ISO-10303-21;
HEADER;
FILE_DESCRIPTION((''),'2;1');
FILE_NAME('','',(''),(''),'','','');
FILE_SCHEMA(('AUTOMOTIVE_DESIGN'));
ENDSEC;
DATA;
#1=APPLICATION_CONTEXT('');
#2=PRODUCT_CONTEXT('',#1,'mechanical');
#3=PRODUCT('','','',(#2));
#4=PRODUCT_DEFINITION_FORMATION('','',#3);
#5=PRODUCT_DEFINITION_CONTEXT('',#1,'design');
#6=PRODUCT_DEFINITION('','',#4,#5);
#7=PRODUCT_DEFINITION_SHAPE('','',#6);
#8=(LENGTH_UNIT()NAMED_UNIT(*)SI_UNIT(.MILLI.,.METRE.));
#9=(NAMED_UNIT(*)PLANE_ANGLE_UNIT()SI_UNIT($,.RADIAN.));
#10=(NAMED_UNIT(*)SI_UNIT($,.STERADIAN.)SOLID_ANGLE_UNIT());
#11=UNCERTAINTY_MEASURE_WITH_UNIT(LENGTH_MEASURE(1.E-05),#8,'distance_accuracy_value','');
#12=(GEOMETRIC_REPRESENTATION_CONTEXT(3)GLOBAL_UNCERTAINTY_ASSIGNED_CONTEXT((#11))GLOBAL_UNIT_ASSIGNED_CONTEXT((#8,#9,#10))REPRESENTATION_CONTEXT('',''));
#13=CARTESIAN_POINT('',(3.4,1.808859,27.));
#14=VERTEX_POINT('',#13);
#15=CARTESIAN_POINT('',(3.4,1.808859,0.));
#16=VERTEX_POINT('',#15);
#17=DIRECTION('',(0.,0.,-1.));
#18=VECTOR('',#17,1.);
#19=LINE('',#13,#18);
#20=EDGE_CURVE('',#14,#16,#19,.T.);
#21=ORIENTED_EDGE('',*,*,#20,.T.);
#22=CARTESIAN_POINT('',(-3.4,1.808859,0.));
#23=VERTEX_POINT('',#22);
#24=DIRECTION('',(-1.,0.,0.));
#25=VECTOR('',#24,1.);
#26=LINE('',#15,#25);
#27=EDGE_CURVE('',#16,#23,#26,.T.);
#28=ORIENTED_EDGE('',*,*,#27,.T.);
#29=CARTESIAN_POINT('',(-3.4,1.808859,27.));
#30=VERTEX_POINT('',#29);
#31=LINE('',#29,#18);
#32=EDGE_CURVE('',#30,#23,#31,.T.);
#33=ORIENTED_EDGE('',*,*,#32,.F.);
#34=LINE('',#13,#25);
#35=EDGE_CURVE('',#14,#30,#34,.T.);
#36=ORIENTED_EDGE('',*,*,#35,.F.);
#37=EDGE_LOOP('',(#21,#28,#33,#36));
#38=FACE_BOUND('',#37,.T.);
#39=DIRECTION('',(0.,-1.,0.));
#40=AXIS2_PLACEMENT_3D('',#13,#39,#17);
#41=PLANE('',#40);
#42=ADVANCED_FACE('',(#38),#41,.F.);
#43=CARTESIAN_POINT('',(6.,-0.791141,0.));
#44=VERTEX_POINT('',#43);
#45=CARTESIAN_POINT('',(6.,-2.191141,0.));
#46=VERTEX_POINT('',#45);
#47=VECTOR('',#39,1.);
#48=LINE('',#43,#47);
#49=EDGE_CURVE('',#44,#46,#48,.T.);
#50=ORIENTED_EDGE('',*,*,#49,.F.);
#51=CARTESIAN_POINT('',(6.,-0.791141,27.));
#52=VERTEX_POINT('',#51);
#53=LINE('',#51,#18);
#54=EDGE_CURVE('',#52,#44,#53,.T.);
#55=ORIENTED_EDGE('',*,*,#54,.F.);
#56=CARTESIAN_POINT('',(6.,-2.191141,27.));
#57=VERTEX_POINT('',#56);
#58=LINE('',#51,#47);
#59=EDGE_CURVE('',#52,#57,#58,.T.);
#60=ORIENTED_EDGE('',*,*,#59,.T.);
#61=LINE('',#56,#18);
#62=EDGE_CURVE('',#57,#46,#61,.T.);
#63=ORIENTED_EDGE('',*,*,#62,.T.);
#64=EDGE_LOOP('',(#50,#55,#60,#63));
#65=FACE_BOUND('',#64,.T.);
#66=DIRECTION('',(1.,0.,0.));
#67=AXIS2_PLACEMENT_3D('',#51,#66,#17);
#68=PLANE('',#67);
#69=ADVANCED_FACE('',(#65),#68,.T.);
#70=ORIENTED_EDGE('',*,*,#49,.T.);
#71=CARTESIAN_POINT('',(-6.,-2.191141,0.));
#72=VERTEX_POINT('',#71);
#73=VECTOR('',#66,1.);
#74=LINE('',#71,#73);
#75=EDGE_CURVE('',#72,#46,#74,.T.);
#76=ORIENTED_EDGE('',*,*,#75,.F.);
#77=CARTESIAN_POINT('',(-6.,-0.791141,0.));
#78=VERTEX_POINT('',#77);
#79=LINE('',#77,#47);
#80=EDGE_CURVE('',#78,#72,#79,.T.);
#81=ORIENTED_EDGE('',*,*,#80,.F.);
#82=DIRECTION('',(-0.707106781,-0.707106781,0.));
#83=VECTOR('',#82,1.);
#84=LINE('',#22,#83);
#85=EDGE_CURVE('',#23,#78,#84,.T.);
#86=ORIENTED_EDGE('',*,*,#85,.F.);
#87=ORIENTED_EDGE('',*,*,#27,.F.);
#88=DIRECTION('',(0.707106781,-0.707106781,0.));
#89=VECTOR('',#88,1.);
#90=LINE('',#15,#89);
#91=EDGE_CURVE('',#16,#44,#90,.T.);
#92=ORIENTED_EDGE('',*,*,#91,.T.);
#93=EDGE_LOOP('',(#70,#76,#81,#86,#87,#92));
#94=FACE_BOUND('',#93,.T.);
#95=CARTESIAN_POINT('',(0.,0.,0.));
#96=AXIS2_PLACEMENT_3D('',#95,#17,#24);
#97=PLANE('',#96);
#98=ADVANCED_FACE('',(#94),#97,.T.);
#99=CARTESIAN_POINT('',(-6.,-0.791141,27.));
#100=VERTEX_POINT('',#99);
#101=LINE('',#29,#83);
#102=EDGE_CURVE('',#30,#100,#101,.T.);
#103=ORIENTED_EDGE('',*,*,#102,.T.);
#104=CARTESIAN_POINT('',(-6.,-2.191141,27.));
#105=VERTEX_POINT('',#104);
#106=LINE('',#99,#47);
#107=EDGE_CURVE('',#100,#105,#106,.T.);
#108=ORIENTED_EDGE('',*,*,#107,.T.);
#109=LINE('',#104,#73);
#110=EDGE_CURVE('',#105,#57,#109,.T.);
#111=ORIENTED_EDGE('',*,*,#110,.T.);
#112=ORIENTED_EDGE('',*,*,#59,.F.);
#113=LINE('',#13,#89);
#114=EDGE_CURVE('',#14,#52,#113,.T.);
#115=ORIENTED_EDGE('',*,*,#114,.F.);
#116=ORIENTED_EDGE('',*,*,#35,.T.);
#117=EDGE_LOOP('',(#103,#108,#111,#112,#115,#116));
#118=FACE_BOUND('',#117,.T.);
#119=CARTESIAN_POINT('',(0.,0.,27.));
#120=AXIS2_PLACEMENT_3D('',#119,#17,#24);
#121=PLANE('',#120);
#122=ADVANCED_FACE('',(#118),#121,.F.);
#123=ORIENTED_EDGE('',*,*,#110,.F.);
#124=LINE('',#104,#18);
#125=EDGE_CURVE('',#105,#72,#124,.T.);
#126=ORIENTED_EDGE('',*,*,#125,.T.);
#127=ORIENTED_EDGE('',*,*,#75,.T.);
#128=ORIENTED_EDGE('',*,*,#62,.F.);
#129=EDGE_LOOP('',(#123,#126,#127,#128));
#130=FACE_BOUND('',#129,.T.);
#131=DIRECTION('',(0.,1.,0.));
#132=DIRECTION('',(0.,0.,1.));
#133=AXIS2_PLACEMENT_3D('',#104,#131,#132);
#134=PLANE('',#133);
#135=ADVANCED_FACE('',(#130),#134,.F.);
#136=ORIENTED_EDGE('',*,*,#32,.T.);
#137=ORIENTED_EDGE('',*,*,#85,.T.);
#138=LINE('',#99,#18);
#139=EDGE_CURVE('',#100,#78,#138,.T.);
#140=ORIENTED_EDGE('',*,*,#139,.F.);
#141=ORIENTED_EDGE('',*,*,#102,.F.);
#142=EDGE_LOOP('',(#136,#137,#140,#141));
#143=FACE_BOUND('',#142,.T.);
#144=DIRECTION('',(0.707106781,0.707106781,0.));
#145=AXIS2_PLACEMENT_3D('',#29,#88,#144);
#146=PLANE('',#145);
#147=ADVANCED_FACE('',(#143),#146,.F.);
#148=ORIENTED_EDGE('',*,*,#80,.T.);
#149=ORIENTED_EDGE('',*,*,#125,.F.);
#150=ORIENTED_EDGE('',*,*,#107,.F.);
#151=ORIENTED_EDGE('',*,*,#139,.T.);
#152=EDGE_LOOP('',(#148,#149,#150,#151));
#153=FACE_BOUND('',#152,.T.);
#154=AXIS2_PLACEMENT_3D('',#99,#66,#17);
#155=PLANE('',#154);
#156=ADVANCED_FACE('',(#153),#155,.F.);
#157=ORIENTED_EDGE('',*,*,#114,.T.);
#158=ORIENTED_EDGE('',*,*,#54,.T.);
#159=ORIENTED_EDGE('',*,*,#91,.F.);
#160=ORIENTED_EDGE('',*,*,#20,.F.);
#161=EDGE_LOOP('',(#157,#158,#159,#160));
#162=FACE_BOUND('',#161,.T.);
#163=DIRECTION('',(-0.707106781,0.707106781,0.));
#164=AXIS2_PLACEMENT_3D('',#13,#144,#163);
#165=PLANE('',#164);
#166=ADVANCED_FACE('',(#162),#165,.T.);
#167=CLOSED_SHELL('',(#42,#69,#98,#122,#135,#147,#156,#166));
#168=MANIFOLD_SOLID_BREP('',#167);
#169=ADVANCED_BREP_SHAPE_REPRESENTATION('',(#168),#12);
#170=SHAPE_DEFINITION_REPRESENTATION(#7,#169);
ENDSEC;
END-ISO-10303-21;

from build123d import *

# Parameters (mm, degrees)
AUFSATZ_LINEAR_AUSTRAGEN1_DEPTH = 27


with BuildPart() as part:
    # Skizze1 → Aufsatz-Linear austragen1 (new body)
    with BuildSketch(Plane.XY):
        Polygon((3.4, 1.808858787), (-3.4, 1.808858787), (-6, -0.791141213), (-6, -2.191141213), (6, -2.191141213), (6, -0.791141213), align=None)
    extrude(amount=AUFSATZ_LINEAR_AUSTRAGEN1_DEPTH)


solid = part.part
